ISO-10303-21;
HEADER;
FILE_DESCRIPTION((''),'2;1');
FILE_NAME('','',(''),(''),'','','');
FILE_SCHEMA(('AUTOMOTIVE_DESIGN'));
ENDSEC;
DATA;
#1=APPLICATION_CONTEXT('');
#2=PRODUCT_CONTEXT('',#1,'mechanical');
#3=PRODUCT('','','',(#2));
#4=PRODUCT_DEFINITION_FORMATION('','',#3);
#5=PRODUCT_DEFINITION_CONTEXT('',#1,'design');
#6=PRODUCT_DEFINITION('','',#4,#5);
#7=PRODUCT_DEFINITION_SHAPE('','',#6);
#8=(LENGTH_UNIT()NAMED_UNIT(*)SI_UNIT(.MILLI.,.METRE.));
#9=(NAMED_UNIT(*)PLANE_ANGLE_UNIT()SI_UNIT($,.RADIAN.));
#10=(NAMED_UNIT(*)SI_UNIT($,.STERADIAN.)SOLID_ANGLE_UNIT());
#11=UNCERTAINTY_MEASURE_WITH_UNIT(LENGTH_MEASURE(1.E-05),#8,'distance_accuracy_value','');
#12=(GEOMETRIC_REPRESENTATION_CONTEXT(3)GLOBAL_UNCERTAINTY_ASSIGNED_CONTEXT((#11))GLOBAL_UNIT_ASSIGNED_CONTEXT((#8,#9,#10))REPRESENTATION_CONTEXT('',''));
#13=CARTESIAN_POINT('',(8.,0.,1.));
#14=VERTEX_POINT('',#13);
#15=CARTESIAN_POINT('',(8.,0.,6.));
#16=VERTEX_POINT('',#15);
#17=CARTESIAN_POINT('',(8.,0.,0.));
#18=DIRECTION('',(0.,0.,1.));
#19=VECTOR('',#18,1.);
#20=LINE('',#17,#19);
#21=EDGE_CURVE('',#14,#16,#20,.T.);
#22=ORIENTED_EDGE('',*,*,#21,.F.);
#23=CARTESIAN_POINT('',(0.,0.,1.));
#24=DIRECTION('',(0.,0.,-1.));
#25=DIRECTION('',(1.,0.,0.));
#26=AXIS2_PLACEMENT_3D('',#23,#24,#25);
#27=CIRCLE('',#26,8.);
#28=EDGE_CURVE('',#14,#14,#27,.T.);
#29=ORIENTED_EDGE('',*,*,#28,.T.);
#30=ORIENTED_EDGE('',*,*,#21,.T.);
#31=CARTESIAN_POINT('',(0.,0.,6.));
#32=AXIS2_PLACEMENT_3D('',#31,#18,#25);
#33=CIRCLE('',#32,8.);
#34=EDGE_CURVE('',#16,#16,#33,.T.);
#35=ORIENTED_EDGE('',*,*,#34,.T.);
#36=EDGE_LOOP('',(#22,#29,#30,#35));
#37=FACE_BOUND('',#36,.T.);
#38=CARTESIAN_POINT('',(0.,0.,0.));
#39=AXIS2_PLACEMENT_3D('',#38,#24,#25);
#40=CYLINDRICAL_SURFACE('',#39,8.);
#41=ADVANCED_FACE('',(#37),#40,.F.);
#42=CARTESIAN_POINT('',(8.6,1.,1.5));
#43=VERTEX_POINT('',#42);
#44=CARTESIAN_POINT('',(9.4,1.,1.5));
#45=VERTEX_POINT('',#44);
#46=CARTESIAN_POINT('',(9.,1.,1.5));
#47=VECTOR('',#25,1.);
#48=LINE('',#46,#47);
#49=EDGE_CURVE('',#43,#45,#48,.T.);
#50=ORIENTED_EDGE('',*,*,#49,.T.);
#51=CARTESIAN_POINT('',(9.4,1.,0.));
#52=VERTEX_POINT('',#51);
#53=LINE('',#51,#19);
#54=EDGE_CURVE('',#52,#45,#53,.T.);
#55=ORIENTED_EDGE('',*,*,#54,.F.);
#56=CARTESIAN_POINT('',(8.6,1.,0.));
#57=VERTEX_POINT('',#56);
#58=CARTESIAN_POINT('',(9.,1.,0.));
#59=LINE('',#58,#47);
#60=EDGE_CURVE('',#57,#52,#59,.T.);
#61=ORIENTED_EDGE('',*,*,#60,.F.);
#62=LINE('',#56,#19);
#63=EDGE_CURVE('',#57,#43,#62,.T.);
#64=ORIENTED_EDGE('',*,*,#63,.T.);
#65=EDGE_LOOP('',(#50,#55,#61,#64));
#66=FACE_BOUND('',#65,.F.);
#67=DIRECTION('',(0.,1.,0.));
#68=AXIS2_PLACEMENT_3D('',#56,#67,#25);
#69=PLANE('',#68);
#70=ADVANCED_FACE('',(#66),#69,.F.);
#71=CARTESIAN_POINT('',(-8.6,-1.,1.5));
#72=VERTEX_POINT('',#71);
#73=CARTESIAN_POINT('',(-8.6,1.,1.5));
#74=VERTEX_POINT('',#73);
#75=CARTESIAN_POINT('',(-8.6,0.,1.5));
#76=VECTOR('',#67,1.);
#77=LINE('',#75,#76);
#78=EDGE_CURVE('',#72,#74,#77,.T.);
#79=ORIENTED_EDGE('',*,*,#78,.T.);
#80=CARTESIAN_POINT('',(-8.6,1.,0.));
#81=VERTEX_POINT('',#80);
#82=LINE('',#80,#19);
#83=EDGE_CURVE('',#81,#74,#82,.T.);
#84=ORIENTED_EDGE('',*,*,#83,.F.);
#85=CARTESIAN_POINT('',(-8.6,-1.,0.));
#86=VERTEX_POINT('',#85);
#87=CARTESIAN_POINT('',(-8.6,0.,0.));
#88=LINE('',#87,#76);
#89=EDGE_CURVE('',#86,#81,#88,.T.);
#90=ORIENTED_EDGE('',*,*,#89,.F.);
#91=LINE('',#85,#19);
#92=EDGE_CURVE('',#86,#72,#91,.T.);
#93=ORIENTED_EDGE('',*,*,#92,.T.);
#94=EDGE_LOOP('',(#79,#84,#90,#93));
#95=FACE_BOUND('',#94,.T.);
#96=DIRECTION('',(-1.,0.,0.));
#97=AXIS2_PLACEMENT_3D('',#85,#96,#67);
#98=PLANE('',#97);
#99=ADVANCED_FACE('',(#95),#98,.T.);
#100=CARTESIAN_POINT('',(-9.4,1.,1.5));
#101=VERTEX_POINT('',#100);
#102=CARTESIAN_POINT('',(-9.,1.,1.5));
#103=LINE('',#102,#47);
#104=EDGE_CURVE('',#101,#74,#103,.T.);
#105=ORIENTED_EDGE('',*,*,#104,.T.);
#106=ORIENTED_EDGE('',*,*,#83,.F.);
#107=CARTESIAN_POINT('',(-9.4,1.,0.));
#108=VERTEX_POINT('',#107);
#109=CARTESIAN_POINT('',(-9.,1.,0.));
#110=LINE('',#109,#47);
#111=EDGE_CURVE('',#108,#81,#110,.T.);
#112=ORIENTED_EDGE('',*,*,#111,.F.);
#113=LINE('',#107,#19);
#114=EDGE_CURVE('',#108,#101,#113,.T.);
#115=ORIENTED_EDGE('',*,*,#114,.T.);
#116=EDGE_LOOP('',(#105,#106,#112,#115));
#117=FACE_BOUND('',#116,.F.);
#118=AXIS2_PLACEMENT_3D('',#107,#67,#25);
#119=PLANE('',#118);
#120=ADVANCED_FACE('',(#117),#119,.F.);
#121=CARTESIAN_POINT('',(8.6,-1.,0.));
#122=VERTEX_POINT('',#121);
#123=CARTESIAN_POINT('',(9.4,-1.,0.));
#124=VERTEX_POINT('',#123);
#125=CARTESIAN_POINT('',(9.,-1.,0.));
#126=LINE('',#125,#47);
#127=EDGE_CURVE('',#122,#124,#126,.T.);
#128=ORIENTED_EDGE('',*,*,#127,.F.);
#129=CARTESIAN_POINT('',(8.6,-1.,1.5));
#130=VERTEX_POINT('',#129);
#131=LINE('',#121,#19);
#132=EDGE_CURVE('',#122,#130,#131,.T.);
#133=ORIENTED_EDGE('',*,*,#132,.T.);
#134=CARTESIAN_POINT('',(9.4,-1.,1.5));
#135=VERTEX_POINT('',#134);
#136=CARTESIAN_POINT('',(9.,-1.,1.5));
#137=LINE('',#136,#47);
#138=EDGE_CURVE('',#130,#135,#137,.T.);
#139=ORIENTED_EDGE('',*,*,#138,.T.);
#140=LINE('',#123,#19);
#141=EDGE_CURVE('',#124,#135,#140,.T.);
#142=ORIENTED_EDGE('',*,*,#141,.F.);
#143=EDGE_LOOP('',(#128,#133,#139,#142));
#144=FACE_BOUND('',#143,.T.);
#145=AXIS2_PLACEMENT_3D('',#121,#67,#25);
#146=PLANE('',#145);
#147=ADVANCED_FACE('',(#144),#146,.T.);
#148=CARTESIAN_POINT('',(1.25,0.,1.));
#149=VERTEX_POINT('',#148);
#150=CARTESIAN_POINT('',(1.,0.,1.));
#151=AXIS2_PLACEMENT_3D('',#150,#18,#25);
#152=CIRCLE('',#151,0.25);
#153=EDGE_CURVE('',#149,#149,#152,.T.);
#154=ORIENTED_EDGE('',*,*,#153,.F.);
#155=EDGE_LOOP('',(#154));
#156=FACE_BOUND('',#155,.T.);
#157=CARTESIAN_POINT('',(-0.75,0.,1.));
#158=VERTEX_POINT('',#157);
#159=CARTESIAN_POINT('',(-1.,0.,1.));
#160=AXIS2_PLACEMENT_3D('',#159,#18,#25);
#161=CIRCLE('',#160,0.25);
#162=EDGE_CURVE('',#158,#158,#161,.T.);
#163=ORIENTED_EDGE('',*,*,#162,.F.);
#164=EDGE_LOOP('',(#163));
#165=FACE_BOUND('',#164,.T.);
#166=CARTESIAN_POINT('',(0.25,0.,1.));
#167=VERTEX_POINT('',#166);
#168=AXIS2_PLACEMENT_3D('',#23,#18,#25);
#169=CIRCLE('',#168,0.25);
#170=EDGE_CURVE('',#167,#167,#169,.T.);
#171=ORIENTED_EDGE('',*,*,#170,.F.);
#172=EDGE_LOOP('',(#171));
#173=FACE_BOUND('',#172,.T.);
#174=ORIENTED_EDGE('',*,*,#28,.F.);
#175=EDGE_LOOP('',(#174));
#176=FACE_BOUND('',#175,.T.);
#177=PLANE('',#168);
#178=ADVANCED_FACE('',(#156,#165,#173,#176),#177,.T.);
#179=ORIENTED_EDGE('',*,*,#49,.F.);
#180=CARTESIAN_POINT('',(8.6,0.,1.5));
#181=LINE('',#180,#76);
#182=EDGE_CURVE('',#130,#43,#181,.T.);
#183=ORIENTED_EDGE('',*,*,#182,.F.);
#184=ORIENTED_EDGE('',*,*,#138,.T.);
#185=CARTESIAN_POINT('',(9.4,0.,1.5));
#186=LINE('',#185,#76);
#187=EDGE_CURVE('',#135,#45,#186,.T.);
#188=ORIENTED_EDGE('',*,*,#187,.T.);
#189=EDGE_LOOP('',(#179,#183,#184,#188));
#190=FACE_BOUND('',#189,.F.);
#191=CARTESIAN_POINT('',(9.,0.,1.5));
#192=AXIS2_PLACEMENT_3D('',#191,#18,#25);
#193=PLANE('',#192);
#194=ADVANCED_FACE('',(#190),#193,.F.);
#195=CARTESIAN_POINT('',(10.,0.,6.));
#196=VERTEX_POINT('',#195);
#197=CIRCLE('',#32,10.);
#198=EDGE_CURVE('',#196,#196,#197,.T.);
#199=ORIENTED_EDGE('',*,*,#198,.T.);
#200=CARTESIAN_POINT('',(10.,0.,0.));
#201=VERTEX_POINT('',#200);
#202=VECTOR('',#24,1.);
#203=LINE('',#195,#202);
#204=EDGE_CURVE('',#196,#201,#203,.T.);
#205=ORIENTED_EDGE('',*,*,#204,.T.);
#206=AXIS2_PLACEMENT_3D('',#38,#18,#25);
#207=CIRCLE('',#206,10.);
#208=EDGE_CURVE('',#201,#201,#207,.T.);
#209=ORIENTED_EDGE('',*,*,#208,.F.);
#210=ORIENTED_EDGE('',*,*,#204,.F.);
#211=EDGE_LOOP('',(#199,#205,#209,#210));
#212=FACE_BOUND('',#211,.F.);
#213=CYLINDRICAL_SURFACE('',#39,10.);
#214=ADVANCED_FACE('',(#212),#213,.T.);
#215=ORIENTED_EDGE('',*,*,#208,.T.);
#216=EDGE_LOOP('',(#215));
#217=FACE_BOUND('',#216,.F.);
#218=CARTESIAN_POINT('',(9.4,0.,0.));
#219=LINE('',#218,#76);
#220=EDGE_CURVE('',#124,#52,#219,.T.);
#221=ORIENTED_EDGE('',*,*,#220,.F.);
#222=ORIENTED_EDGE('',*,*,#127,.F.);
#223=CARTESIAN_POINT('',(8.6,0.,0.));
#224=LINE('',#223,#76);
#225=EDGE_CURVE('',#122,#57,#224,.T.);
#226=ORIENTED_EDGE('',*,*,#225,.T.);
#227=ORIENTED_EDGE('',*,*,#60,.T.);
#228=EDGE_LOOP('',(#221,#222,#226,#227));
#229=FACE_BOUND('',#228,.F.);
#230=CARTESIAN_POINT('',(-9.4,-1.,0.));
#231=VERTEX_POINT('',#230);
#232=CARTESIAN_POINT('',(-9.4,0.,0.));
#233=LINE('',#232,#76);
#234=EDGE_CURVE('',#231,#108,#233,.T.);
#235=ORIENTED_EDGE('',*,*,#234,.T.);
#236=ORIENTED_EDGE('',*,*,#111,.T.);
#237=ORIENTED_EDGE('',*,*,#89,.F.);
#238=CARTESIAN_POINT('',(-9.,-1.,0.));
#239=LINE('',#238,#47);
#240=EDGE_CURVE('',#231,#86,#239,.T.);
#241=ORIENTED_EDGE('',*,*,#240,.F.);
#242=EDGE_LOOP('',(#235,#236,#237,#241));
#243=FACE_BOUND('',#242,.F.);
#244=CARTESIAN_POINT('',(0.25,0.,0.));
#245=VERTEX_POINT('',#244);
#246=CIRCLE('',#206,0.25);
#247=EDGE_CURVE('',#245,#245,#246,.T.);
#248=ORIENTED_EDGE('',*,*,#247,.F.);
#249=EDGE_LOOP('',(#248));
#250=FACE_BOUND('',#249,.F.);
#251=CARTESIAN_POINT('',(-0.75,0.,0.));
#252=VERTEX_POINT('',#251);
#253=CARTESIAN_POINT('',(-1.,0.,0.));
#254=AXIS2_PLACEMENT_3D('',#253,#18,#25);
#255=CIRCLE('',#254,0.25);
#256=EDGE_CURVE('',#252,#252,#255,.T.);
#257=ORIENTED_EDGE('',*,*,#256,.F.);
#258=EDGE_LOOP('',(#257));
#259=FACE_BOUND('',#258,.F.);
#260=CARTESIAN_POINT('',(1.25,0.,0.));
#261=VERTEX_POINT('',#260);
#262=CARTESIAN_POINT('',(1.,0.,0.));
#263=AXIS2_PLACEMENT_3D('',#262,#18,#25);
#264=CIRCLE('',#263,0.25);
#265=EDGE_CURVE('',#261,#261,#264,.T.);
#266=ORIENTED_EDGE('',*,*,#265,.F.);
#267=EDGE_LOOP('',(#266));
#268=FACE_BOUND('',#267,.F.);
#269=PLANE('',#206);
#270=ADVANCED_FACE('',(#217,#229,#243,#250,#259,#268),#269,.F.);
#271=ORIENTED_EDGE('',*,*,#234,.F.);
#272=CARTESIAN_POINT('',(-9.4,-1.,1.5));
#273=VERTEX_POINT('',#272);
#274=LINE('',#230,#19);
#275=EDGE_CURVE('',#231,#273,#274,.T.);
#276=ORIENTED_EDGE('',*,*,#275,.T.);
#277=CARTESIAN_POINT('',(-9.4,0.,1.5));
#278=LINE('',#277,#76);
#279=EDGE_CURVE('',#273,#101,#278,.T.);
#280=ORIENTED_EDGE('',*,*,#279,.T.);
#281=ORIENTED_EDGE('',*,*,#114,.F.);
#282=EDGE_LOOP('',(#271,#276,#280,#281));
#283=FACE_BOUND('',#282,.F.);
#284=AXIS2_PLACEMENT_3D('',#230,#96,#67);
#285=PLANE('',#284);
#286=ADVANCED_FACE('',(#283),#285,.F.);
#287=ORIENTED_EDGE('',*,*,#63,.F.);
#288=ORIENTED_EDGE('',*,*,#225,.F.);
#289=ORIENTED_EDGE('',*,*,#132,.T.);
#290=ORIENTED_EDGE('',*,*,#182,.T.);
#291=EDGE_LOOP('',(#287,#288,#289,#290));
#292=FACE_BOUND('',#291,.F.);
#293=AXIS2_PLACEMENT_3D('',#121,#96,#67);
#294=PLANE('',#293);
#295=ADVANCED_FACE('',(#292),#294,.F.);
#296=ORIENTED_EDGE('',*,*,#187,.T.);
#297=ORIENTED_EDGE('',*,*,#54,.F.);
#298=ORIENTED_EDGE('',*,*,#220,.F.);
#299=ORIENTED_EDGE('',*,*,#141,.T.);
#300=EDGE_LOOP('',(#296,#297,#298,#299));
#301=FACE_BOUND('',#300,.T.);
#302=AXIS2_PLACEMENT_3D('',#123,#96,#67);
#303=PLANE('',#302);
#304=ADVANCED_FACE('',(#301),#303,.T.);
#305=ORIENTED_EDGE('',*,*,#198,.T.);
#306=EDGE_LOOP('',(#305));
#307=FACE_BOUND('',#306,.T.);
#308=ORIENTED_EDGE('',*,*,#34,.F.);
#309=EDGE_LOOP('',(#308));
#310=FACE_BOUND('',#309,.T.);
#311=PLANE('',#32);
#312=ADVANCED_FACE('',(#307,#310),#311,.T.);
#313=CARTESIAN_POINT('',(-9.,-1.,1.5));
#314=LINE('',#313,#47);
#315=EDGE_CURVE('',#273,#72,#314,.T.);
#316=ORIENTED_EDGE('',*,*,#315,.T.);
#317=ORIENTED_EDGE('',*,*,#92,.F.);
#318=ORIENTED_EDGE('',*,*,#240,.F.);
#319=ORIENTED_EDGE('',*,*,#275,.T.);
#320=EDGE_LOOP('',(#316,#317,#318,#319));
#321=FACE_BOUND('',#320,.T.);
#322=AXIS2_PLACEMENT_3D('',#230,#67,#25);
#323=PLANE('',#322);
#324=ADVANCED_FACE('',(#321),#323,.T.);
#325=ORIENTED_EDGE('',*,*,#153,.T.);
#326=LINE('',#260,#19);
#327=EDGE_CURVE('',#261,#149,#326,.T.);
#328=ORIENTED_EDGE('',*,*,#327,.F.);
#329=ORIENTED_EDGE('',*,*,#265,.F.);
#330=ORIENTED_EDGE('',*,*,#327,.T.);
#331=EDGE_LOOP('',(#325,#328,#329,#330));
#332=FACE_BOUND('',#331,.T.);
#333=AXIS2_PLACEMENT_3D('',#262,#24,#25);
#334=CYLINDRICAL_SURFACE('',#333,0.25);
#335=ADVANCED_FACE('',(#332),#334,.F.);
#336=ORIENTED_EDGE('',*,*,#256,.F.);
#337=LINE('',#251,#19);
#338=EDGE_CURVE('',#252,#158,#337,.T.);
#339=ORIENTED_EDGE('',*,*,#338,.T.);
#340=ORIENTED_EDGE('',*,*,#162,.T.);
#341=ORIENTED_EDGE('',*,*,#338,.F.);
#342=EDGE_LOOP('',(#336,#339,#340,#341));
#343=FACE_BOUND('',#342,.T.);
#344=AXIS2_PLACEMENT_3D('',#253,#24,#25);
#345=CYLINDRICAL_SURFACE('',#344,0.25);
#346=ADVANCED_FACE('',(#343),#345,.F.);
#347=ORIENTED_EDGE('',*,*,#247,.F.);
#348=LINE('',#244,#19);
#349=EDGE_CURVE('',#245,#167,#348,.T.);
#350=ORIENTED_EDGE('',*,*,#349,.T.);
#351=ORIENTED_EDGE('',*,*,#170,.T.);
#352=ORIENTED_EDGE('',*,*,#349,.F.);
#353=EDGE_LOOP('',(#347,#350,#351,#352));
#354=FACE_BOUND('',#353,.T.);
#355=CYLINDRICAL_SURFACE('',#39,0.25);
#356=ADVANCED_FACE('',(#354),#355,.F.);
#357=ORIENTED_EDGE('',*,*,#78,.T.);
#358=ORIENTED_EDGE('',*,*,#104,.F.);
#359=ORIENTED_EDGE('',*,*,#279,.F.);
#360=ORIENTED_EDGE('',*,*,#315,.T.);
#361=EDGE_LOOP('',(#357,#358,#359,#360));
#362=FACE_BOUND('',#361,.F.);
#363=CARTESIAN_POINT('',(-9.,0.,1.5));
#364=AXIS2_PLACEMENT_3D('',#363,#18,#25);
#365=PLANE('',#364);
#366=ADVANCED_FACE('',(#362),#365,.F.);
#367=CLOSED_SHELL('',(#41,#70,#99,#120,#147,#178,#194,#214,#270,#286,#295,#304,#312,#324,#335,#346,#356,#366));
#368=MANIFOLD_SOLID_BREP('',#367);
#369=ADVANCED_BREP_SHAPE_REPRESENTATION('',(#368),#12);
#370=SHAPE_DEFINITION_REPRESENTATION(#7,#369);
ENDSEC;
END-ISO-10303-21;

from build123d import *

# Parameters (mm, degrees)
F0_R     = 10
F0_R_2   = 8
F1_DEPTH = 6
F2_R     = 10
F2_W     = 0.8
F2_H     = 2
F2_R_2   = 0.25
F3_DEPTH = 1
F4_DEPTH = 1.5


with BuildPart() as f1:
    # F0 (on Top) → F1 (new body)
    with BuildSketch(Plane.XY):
        Circle(F0_R)
        Circle(F0_R_2, mode=Mode.SUBTRACT)
    extrude(amount=F1_DEPTH)

    # F2 (on Top) → F3 (join)
    with BuildSketch(Plane.XY):
        Circle(F2_R)
        with Locations((-9, 0)):
            Rectangle(F2_W, F2_H, mode=Mode.SUBTRACT)
        with Locations((-1, 0)):
            Circle(F2_R_2, mode=Mode.SUBTRACT)
        Circle(F2_R_2, mode=Mode.SUBTRACT)
        with Locations((1, 0)):
            Circle(F2_R_2, mode=Mode.SUBTRACT)
        with Locations((9, 0)):
            Rectangle(F2_W, F2_H, mode=Mode.SUBTRACT)
    extrude(amount=F3_DEPTH)

    # F2 (on Top) → F4 (cut)
    with BuildSketch(Plane.XY):
        with Locations((9, 0)):
            Rectangle(F2_W, F2_H)
        with Locations((-9, 0)):
            Rectangle(F2_W, F2_H)
    extrude(amount=F4_DEPTH, mode=Mode.SUBTRACT)


solid = f1.part
